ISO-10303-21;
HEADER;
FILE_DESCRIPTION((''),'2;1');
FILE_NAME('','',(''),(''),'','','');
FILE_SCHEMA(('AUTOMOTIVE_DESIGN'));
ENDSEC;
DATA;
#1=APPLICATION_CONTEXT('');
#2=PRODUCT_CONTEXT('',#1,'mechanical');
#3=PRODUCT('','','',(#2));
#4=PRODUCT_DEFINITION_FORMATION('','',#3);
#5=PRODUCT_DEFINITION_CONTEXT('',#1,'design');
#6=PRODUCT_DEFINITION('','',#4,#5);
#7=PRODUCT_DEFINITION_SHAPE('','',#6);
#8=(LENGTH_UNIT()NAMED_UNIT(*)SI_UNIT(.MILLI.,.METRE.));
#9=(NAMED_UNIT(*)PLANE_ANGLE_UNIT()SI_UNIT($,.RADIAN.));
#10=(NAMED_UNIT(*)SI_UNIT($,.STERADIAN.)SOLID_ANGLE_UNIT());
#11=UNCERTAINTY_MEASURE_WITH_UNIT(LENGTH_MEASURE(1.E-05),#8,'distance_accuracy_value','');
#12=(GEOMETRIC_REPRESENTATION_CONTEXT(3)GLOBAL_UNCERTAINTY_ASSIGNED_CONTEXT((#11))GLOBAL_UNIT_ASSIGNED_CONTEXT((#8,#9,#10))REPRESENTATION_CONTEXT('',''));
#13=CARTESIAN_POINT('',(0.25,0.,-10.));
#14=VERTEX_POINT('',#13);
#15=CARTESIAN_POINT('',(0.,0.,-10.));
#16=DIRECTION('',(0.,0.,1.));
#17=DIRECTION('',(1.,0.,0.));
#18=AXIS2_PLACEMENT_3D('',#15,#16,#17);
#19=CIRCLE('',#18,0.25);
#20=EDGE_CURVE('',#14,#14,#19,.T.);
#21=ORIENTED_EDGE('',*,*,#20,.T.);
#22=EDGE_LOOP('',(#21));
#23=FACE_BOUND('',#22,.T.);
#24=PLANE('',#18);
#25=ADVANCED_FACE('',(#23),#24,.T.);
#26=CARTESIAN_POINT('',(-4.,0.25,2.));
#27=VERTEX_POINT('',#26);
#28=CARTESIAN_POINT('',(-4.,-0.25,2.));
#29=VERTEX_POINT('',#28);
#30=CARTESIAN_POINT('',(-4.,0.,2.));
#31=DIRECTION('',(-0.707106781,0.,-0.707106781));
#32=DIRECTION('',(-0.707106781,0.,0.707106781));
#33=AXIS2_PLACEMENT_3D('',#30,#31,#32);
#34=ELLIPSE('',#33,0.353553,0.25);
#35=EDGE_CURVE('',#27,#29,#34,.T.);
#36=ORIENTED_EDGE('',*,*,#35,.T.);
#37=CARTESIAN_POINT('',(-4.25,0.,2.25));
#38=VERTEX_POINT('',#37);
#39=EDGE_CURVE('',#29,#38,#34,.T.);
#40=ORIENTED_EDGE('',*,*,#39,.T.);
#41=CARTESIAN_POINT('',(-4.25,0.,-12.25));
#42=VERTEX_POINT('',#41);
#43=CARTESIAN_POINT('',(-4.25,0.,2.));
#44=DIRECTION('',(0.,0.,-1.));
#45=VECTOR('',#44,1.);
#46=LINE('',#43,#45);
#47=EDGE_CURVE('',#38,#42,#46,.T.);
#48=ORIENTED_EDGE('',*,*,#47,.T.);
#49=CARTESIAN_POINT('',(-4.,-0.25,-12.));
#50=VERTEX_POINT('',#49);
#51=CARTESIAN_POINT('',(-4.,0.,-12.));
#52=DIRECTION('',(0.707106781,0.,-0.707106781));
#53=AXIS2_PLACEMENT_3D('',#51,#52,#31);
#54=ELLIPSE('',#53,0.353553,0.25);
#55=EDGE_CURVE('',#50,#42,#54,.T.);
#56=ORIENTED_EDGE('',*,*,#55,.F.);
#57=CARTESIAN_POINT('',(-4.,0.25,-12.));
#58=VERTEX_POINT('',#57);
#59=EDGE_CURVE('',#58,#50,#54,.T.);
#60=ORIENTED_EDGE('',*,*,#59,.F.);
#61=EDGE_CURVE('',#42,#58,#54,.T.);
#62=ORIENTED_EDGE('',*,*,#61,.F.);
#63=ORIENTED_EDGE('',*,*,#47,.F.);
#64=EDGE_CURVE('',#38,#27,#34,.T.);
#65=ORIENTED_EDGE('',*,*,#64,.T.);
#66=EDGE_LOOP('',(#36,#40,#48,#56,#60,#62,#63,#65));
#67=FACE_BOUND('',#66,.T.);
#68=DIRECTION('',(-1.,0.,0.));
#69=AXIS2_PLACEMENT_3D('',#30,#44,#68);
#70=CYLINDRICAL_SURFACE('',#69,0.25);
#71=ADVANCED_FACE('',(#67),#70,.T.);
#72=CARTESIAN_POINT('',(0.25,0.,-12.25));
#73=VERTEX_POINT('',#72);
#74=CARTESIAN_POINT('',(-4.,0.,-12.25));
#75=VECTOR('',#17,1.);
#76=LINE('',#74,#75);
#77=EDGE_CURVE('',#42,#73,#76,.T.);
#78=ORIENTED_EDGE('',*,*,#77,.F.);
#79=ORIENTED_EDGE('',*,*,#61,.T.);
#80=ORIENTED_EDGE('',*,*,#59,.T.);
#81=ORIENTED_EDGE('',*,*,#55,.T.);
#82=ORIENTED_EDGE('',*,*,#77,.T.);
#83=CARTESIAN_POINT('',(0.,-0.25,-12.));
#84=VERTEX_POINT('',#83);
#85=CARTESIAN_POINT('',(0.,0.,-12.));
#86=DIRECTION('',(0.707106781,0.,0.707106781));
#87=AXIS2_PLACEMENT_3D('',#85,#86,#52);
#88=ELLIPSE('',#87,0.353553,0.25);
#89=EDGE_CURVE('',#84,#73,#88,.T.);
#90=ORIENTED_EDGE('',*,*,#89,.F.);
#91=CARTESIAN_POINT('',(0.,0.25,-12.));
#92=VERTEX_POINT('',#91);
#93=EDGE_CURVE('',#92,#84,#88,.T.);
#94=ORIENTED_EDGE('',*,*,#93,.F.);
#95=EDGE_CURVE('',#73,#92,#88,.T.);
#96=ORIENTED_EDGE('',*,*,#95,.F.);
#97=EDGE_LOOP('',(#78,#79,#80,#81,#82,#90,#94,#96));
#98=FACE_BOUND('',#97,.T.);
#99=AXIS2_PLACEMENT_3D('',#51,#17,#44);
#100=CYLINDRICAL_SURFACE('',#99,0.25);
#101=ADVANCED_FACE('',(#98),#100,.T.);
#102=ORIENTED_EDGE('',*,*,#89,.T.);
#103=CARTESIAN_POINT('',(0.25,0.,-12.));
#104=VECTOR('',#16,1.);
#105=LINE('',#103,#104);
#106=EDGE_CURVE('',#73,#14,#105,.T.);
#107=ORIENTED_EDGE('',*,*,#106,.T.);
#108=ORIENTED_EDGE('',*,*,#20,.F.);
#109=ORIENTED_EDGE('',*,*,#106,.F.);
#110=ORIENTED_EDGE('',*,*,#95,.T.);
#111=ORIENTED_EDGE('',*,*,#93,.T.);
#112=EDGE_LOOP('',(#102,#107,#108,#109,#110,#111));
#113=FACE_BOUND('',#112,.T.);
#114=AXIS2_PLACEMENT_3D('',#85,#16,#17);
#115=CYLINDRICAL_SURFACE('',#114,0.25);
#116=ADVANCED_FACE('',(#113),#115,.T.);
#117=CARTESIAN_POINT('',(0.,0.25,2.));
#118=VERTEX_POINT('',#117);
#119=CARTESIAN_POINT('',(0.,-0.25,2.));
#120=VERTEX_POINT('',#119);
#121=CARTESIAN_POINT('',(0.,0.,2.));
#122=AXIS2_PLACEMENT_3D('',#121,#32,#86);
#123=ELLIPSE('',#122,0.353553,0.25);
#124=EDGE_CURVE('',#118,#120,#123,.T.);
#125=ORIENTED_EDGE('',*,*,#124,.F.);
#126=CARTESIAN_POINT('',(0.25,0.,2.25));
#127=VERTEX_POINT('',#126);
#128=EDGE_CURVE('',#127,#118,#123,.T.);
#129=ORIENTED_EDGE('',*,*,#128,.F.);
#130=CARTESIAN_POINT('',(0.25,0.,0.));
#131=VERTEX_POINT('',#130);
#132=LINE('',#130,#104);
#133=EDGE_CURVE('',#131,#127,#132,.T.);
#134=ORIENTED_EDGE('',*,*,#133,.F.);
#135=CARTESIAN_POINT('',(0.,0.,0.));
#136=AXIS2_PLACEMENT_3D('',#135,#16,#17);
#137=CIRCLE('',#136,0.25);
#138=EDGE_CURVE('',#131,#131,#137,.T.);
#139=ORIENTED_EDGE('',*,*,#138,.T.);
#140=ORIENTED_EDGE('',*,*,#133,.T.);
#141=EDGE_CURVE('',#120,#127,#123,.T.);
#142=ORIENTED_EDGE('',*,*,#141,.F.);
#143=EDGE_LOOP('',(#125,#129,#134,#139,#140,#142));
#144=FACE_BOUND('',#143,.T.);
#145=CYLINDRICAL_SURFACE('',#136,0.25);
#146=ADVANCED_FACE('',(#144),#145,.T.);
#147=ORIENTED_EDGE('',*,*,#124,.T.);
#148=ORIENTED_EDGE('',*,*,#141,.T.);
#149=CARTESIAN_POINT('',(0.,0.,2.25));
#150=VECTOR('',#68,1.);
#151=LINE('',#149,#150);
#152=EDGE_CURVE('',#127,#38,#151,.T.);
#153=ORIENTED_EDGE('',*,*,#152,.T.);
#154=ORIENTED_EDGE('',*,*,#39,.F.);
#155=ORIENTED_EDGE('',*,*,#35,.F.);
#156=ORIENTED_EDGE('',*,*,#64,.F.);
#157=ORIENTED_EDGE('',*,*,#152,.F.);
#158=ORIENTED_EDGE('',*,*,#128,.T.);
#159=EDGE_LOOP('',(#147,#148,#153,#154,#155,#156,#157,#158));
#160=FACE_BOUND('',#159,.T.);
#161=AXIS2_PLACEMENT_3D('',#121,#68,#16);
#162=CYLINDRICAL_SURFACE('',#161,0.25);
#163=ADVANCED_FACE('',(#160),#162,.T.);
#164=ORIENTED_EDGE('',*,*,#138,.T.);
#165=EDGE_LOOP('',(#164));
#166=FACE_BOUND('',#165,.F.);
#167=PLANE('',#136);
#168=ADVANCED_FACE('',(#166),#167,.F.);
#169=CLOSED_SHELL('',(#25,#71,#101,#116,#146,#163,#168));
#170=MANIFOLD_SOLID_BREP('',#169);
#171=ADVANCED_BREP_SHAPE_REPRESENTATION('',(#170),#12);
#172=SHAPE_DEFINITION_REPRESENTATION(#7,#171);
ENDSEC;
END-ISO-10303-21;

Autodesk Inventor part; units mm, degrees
ref_plane "YZ Plane" through (0, 0, 0) normal (1, 0, 0) x (0, 1, 0)
ref_plane "XZ Plane" through (0, 0, 0) normal (0, 1, 0) x (-1, 0, 0)
ref_plane "XY Plane" through (0, 0, 0) normal (0, 0, 1) x (1, 0, 0)
sketch "Skizze1" plane through (0, 0, 0) normal (0, 0, 1) x (1, 0, 0)
  circle A0 centre (0, 0) radius 0.25
  dimension "d0" = 0.5
sketch "Skizze2" plane through (0, 0, 0) normal (0, 1, 0) x (-1, 0, 0)
  line L0 (0, 0) -> (0, 2)
  line L1 (0, 2) -> (4, 2)
  line L2 (4, 2) -> (4, -12)
  line L3 (4, -12) -> (0, -12)
  line L4 (0, -12) -> (0, -10)
  dimension "d1" = 2
  dimension "d2" = 4
  dimension "d3" = 14
  dimension "d4" = 2
sweep "Sweeping1" add profiles "Skizze1" path "Skizze2"
properties part number "Transition_3_Init"
